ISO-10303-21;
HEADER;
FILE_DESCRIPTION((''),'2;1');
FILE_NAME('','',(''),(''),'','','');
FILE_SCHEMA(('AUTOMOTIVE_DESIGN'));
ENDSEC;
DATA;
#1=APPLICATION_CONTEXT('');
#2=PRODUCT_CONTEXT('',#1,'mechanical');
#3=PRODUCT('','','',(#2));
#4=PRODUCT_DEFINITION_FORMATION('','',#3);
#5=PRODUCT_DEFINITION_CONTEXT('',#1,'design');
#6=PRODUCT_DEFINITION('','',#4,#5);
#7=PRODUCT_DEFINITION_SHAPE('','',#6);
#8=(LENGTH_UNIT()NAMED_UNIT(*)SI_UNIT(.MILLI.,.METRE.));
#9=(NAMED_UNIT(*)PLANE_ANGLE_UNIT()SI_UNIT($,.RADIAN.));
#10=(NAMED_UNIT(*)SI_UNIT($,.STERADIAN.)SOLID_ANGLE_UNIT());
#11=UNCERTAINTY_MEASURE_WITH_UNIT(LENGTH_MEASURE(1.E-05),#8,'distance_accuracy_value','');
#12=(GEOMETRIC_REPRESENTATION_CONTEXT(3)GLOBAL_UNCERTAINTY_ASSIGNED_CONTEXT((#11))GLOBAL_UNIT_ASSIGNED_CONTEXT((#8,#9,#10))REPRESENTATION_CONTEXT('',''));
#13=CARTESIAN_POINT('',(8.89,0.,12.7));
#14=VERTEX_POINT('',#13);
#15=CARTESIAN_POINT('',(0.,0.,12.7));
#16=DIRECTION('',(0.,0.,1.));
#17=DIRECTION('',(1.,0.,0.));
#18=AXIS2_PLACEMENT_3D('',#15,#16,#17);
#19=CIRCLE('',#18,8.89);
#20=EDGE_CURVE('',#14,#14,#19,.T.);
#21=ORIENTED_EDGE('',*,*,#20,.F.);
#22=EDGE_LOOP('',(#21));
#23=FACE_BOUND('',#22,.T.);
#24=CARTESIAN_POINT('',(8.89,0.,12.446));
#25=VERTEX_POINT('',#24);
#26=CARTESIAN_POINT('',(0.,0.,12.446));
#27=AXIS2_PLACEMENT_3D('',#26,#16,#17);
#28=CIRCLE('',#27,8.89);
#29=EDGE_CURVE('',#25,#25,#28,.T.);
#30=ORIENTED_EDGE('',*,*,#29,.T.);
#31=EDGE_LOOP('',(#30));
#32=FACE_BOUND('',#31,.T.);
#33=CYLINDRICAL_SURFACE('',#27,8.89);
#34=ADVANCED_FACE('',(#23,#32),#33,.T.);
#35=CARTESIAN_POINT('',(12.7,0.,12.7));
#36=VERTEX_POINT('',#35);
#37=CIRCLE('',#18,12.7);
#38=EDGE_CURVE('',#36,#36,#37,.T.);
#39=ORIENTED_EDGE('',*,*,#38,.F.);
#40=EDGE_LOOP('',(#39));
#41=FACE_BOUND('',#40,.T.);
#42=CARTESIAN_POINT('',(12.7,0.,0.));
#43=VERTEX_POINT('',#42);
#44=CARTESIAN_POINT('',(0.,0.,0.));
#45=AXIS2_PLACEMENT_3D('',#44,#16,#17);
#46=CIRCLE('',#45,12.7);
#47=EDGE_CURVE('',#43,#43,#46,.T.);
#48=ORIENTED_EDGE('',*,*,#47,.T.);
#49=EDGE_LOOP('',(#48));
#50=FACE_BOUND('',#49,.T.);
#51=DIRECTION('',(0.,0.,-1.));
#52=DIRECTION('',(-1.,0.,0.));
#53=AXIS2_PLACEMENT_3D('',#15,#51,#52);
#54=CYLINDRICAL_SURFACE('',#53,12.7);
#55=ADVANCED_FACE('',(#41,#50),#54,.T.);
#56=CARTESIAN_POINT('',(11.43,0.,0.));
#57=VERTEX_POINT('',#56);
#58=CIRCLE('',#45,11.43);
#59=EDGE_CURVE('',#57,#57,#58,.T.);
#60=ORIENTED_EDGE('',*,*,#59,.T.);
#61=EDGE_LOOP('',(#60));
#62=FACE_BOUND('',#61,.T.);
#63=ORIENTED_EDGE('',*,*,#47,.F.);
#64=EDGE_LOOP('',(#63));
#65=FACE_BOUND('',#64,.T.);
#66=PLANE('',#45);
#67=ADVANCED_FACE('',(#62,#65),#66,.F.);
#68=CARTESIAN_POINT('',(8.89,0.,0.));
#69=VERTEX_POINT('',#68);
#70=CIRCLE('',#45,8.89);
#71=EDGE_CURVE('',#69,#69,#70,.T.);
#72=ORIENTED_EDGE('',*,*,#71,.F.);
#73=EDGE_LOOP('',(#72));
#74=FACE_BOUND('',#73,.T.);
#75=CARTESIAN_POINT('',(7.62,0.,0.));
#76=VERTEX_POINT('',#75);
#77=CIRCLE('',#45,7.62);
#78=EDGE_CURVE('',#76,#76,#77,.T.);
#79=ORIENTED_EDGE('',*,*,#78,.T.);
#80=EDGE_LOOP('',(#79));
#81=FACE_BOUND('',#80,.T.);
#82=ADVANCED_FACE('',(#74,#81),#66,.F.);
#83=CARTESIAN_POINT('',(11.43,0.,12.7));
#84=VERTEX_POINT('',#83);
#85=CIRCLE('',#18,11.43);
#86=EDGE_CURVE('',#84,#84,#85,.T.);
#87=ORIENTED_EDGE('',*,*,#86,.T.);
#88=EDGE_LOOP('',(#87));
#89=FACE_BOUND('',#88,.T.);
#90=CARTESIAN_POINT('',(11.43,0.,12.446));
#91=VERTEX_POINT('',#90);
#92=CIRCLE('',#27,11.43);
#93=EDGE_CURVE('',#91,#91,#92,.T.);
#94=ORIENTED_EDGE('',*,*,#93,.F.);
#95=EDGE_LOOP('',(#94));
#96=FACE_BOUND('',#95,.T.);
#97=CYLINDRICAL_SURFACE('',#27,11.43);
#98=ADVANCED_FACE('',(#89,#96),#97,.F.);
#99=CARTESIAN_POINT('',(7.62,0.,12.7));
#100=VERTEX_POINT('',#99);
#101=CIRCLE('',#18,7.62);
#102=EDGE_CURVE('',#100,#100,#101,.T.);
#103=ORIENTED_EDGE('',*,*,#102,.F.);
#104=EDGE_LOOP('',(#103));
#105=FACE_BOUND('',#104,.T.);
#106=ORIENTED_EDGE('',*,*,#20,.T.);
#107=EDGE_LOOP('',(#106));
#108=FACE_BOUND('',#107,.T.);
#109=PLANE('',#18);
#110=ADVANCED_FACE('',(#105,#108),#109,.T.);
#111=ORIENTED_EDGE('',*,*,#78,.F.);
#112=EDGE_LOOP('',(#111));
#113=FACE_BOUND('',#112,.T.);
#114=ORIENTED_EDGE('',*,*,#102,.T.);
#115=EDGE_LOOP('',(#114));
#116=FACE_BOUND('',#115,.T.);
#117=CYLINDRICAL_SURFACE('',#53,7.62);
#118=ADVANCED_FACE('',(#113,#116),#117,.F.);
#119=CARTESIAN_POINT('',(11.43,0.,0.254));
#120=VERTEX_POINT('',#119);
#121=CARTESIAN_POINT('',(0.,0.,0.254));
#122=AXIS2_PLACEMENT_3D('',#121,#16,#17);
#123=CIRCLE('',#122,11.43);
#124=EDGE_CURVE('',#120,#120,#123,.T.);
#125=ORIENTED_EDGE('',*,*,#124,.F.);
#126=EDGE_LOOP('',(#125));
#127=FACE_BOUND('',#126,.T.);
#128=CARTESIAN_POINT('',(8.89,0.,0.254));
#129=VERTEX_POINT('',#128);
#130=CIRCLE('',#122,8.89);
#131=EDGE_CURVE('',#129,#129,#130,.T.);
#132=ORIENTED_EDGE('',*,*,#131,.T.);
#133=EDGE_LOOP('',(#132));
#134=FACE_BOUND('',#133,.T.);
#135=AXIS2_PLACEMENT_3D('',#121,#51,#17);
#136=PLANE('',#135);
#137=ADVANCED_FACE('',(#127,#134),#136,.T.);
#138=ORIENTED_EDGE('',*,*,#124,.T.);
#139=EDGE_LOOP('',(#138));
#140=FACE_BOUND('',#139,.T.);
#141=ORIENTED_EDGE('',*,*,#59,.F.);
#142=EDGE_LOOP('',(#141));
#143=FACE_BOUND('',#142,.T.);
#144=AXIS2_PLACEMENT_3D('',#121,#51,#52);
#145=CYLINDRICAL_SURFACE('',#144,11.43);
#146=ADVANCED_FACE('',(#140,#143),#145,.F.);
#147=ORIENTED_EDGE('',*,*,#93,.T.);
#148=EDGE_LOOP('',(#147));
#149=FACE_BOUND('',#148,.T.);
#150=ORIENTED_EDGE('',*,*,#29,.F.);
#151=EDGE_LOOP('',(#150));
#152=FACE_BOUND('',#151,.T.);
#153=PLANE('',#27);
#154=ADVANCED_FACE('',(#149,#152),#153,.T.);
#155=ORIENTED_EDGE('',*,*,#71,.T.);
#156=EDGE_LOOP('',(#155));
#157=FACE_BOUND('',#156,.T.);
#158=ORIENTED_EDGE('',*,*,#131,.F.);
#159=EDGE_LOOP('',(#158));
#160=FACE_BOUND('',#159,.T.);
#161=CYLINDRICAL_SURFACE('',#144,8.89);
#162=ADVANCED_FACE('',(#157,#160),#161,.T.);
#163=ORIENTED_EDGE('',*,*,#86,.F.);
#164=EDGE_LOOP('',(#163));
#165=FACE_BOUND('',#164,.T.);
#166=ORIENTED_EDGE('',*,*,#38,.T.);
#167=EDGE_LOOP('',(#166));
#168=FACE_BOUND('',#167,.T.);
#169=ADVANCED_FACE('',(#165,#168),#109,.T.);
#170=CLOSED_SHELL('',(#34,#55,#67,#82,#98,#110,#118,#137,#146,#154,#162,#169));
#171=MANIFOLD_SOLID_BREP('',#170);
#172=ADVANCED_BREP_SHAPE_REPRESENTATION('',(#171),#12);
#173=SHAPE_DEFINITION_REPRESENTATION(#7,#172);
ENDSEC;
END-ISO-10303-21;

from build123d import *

# Parameters (mm, degrees)
SKETCH1_R           = 12.7
SKETCH1_R_2         = 7.62
BOSS_EXTRUDE1_DEPTH = 12.7
SKETCH2_R           = 11.43
SKETCH2_R_2         = 8.89
CUT_EXTRUDE1_DEPTH  = 0.254


with BuildPart() as part:
    # Sketch1 → Boss-Extrude1 (new body)
    with BuildSketch(Plane.XY):
        Circle(SKETCH1_R)
        Circle(SKETCH1_R_2, mode=Mode.SUBTRACT)
    extrude(amount=BOSS_EXTRUDE1_DEPTH)

    # Sketch2 → Cut-Extrude1 (cut)
    with BuildSketch(Plane.XY.offset(12.7)):
        Circle(SKETCH2_R)
        Circle(SKETCH2_R_2, mode=Mode.SUBTRACT)
    cut_extrude1 = extrude(amount=-CUT_EXTRUDE1_DEPTH, mode=Mode.SUBTRACT)

    # Mirror1: Cut-Extrude1 across plane
    add(cut_extrude1.mirror(Plane.XY.offset(6.35)), mode=Mode.SUBTRACT)


solid = part.part
